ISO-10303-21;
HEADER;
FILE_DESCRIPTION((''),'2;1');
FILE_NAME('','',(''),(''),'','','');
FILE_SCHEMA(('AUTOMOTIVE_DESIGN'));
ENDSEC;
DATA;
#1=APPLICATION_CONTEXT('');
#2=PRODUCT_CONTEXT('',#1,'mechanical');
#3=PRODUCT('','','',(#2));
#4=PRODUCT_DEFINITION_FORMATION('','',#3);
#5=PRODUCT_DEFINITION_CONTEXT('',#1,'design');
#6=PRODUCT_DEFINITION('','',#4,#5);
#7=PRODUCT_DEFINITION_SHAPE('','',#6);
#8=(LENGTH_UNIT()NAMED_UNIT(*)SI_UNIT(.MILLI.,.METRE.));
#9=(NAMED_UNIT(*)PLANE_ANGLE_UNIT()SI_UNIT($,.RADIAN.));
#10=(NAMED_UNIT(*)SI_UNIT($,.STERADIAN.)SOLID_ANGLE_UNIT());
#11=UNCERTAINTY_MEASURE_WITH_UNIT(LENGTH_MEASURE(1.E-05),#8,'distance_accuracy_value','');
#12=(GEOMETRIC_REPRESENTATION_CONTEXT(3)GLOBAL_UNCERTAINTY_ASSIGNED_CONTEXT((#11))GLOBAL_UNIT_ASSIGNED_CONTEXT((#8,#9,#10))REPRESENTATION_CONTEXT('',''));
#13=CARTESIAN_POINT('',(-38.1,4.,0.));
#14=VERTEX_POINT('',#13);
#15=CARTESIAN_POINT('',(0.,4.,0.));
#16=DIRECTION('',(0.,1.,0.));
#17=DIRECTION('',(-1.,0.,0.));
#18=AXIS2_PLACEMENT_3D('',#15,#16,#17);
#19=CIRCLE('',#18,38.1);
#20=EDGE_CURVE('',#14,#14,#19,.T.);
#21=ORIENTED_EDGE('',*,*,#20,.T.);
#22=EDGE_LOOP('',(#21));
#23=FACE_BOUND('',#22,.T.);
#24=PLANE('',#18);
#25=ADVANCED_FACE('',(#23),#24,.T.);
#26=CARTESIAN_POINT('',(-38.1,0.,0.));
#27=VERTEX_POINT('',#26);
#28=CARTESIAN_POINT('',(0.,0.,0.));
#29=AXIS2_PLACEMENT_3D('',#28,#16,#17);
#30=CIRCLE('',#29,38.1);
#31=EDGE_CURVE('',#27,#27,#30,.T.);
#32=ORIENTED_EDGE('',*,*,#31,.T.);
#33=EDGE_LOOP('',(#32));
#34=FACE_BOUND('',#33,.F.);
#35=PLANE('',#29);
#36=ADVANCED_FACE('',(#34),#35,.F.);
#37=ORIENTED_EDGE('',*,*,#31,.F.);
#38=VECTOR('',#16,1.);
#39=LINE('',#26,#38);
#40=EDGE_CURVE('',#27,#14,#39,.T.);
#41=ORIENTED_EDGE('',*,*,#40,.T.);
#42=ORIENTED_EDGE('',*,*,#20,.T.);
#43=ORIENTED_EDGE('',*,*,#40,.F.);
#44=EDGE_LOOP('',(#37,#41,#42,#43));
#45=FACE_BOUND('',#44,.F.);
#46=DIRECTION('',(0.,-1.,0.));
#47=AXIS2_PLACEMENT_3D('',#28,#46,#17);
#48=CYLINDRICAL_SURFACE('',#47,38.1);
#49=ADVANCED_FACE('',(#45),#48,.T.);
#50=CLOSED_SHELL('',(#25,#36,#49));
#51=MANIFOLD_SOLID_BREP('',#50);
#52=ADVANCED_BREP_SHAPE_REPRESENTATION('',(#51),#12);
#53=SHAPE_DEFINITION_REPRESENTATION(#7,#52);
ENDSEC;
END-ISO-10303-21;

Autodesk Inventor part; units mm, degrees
ref_plane "YZ Plane" through (0, 0, 0) normal (1, 0, 0) x (0, 1, 0)
ref_plane "XZ Plane" through (0, 0, 0) normal (0, 1, 0) x (-1, 0, 0)
ref_plane "XY Plane" through (0, 0, 0) normal (0, 0, 1) x (1, 0, 0)
sketch "Sketch1" plane through (0, 0, 0) normal (0, 1, 0) x (-1, 0, 0)
  circle A0 centre (0, 0) radius 38.1
  dimension "d0" = 76.2
extrude "Extrusion1" add sketch "Sketch1" along normal blind 4
properties part number "Rotor"
